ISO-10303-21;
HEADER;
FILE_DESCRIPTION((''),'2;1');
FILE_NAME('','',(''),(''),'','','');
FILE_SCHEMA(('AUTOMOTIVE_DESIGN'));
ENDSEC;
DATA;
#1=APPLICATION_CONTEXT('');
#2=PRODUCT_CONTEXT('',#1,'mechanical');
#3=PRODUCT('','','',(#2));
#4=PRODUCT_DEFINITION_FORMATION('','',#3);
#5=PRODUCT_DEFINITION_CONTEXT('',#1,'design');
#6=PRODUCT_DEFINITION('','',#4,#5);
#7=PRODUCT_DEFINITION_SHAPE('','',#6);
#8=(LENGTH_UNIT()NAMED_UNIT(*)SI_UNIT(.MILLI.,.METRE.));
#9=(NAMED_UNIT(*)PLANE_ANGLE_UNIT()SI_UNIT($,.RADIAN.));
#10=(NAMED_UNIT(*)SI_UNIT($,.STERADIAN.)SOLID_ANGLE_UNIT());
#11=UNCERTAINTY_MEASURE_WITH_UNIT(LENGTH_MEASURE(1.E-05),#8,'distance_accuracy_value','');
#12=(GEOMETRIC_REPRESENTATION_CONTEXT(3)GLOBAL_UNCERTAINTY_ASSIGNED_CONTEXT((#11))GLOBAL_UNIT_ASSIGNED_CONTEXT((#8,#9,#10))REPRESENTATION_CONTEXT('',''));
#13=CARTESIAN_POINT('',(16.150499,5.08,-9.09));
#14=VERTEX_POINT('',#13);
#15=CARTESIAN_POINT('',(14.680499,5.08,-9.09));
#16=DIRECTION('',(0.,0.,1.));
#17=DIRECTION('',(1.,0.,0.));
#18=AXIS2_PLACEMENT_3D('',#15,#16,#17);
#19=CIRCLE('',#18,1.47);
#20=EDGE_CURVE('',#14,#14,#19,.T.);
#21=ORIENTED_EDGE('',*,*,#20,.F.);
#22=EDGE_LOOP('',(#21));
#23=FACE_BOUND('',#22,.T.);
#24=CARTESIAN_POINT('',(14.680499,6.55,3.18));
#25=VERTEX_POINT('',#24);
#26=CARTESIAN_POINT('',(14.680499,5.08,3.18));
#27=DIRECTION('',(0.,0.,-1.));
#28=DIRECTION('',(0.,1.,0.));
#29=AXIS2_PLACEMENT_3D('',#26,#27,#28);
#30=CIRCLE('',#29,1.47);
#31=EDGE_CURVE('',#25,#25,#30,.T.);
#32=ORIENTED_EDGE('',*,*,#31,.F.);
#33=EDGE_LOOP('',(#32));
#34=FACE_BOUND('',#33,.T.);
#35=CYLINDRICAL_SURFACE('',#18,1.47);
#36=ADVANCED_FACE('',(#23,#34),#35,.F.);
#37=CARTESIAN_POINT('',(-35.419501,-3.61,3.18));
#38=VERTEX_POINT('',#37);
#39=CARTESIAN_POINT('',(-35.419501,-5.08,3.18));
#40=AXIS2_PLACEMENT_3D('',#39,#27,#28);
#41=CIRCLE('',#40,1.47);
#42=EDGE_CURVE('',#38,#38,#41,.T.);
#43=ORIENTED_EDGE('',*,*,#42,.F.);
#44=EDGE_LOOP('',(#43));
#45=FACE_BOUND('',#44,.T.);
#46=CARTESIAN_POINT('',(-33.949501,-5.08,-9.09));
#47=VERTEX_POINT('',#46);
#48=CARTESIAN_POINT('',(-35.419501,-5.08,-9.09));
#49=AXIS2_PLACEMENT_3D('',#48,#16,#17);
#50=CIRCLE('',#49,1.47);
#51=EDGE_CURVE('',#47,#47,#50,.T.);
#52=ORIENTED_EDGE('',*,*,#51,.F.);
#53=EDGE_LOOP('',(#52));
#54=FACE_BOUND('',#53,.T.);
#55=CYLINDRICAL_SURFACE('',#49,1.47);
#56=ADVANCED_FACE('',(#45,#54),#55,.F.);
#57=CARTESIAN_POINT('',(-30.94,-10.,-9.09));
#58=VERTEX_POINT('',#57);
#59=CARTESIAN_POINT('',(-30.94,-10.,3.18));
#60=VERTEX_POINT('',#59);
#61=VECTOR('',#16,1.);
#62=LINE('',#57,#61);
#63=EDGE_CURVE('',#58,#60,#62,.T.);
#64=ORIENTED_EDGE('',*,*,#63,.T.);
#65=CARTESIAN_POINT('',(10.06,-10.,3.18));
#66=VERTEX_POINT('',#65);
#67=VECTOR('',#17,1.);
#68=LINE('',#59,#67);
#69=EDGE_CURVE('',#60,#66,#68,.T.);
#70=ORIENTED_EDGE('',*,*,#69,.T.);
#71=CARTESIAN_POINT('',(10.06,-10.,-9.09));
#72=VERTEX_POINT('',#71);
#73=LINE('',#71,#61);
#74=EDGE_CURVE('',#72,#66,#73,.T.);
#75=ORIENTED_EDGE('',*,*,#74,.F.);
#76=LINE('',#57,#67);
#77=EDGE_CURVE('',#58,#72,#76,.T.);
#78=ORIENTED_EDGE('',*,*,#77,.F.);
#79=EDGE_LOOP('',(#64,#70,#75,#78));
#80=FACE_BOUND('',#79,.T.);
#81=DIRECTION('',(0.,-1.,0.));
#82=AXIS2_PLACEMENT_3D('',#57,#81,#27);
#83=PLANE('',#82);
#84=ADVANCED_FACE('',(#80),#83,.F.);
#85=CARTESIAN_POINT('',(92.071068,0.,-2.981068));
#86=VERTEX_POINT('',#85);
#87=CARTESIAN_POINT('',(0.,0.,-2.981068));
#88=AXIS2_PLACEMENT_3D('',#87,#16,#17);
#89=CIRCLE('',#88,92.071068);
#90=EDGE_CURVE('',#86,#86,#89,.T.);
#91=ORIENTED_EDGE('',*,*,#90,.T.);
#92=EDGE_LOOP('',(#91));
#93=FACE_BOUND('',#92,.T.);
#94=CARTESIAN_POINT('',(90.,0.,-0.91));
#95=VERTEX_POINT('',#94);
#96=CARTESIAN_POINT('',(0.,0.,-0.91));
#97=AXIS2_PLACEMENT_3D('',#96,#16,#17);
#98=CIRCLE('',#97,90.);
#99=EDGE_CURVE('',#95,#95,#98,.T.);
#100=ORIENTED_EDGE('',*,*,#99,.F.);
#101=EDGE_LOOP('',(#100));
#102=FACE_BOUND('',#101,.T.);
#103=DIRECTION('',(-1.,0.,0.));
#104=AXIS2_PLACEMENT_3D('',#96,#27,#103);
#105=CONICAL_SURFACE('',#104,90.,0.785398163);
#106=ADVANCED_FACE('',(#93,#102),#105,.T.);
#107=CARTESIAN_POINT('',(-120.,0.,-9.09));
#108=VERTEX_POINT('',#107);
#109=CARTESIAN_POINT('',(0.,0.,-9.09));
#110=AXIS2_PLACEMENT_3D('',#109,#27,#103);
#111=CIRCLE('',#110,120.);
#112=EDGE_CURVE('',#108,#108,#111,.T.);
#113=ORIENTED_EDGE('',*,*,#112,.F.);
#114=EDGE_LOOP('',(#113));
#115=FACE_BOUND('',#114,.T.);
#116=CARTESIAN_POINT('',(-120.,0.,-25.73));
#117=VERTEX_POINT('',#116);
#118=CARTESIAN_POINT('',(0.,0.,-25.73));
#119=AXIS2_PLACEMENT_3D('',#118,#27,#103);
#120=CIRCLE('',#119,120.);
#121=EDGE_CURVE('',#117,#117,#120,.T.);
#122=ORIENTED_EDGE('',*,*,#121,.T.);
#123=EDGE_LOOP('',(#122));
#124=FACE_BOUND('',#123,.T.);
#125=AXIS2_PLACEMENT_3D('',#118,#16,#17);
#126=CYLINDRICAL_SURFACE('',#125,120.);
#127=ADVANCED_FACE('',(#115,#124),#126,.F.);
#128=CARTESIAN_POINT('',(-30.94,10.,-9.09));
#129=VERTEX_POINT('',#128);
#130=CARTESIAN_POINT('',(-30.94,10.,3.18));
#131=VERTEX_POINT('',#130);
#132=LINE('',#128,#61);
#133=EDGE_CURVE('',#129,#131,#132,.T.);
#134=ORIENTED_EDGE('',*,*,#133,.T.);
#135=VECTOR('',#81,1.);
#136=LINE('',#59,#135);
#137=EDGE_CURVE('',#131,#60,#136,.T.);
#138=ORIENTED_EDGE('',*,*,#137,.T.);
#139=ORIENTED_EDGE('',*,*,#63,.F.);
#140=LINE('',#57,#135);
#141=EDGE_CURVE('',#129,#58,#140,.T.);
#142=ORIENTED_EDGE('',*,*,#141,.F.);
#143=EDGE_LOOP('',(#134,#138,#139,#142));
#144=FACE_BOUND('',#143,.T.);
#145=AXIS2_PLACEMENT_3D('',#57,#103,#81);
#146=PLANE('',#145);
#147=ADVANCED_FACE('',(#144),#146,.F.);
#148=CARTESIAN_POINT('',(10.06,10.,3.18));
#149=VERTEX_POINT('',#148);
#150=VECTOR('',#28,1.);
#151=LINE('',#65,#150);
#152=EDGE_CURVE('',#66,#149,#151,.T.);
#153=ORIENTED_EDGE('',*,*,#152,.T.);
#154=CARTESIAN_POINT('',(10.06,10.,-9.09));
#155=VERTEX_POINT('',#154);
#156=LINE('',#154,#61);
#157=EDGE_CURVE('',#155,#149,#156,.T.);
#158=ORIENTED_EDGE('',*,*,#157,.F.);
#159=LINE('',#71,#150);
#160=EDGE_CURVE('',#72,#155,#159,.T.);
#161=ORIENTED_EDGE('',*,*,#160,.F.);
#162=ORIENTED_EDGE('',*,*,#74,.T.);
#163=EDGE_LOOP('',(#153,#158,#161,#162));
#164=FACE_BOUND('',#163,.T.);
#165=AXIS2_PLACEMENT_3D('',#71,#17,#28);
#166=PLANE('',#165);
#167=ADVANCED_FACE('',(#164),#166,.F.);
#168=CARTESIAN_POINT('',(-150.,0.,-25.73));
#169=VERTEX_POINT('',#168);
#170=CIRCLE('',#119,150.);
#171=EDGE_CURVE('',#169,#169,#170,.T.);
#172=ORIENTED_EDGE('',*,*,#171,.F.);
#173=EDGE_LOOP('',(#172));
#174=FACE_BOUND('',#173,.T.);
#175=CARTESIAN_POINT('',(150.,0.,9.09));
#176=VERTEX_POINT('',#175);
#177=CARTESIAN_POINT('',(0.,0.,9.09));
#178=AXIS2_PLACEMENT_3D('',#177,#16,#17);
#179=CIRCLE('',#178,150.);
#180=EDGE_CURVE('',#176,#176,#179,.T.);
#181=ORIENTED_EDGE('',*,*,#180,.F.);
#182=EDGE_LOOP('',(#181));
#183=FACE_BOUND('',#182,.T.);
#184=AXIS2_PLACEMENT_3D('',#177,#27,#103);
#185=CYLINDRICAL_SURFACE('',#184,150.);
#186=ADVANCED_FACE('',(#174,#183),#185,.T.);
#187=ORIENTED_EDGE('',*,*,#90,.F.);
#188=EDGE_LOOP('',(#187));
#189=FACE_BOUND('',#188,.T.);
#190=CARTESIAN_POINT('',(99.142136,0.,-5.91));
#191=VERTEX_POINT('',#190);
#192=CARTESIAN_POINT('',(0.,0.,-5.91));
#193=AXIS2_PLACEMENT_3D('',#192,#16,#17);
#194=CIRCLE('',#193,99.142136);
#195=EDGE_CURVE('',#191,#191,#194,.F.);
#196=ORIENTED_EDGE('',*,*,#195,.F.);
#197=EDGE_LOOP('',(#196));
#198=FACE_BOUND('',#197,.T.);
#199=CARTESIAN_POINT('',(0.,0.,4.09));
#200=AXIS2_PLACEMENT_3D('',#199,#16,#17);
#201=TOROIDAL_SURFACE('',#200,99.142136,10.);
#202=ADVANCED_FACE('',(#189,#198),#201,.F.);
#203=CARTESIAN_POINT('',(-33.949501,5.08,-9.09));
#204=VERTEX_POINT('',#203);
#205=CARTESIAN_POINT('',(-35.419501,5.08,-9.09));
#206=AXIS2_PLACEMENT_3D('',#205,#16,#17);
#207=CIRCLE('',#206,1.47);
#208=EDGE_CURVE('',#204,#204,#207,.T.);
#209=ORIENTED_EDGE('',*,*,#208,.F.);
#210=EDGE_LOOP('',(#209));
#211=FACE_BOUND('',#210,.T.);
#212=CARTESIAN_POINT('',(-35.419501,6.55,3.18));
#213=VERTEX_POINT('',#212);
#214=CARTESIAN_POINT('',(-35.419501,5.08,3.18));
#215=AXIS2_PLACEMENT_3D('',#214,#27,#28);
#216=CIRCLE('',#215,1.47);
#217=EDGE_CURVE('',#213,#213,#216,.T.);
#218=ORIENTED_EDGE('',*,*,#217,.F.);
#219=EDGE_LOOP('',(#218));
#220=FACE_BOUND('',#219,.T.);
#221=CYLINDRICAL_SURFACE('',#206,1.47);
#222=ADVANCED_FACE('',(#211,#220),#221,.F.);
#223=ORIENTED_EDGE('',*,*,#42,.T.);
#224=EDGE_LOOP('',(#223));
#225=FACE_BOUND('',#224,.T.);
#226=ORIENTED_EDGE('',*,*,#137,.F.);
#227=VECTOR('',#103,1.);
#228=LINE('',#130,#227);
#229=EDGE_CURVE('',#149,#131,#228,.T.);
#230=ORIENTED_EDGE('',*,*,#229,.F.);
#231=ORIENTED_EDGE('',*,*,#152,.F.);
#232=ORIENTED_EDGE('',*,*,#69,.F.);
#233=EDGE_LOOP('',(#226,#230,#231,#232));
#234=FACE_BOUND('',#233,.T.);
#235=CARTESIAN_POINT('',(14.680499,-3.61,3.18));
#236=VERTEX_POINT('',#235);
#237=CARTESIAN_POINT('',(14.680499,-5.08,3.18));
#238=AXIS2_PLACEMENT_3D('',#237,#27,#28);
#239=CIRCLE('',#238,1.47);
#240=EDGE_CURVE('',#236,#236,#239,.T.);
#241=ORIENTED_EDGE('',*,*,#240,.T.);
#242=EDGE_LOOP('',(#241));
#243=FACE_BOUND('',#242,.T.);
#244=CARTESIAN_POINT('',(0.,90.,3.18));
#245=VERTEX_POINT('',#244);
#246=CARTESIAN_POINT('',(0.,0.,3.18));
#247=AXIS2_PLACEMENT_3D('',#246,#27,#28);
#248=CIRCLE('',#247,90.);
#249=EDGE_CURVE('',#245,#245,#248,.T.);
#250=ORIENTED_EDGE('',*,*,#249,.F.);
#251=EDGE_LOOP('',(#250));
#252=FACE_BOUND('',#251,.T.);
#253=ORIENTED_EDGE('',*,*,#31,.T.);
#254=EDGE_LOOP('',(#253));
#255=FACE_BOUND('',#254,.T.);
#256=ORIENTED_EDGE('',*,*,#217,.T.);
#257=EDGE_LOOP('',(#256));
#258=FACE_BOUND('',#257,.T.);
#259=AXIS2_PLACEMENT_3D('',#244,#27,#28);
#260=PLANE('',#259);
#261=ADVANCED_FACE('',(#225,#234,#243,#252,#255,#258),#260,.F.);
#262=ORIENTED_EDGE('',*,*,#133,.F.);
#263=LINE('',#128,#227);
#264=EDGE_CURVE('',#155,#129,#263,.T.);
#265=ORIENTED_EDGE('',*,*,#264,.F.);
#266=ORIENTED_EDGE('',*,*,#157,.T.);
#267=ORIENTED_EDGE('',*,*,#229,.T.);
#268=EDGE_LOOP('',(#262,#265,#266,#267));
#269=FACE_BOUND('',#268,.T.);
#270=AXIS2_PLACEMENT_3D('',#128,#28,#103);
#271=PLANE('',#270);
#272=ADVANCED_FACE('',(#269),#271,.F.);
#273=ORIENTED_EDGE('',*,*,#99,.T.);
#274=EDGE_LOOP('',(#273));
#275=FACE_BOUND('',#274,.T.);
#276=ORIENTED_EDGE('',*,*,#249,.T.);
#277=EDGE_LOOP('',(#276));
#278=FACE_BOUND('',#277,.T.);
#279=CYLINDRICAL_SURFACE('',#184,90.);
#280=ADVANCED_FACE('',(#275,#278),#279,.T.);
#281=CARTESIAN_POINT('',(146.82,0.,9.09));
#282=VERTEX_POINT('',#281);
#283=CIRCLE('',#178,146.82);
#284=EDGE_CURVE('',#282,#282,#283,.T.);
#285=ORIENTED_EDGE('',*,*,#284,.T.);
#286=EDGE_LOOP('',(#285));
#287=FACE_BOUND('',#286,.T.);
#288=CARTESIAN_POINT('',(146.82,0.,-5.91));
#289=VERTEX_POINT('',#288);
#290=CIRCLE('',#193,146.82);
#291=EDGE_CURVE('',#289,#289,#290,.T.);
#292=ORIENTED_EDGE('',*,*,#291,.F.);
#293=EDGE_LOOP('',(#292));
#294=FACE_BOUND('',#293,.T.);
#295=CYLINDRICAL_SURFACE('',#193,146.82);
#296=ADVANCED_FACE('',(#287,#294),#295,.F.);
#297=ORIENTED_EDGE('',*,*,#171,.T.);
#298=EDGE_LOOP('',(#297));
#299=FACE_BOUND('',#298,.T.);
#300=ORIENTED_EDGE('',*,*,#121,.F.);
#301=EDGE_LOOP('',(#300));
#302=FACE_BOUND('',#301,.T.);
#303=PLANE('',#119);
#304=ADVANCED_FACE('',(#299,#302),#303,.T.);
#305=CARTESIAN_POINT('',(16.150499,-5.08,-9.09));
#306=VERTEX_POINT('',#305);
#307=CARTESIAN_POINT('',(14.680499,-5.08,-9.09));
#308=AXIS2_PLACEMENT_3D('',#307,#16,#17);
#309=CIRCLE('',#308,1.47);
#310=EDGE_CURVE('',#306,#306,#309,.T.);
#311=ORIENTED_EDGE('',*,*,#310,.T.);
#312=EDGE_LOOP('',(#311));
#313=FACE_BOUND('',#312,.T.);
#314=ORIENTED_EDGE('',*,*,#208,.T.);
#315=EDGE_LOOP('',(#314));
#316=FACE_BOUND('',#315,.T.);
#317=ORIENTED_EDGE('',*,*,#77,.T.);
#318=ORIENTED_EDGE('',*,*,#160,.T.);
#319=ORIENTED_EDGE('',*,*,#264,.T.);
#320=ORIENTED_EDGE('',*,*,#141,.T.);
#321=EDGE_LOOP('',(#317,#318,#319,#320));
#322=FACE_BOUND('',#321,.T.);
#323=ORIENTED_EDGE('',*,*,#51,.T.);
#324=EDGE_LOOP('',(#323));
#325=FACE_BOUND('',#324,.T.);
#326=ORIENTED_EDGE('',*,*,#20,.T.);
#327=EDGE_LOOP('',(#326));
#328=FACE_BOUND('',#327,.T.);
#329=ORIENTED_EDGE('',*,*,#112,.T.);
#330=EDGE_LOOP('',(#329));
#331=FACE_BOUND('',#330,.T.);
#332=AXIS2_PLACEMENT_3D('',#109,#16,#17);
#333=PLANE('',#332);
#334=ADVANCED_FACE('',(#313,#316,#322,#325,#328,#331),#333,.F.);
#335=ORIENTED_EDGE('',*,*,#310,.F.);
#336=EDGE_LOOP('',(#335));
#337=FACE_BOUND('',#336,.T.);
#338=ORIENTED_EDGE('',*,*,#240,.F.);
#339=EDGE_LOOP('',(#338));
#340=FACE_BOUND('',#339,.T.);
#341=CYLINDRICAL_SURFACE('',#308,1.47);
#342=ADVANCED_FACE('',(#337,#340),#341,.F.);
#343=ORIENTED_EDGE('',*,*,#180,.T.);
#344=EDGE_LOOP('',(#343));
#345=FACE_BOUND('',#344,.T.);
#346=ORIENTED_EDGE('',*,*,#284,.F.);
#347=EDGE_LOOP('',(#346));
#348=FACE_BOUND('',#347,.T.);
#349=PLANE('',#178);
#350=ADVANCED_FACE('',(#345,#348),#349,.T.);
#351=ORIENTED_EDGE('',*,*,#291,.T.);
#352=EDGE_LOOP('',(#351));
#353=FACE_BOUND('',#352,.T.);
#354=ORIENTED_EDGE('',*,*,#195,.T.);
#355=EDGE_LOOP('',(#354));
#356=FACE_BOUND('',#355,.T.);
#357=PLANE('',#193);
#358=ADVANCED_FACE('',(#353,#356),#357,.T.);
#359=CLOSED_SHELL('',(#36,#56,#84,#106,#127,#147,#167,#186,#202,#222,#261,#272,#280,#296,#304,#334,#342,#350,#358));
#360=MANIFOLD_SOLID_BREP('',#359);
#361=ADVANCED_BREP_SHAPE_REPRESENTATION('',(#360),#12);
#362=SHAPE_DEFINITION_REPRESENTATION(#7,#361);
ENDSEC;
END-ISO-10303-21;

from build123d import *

# Parameters (mm, degrees)
SKETCH1_R               = 150
BOSS_EXTRUDE1_DEPTH     = 9.09
SKETCH2_R               = 146.82
CUT_EXTRUDE1_DEPTH      = 15
SKETCH5_R               = 90
BOSS_EXTRUDE2_DEPTH     = 15
CHAMFER1_SIZE           = 5
FILLET6_R               = 10
SKETCH6_R               = 1.55
CUT_EXTRUDE2_DEPTH      = 5
SKETCH7_R               = 16
CUT_EXTRUDE3_DEPTH      = 4.8
BOSS_EXTRUDE3_START     = 4.8
BOSS_EXTRUDE3_DEPTH     = 4.8
CIRPATTERN1_COUNT       = 30
SKETCH17_W              = 2.73
SKETCH17_H              = 90
SKETCH23_W              = 41
SKETCH23_H              = 20
CUT_EXTRUDE6_DEPTH      = 213.486594636
CUT_EXTRUDE7_DEPTH      = 213.486594636
CUT_EXTRUDE7_DEPTH_BACK = 213.486594636
SKETCH24_R              = 1.47
SKETCH26_R              = 150
SKETCH26_R_2            = 120
BOSS_EXTRUDE4_DEPTH     = 16.64


with BuildPart() as part:
    # Sketch1 → Boss-Extrude1 (new, symmetric)
    with BuildSketch(Plane.XY):
        Circle(SKETCH1_R)
    extrude(amount=BOSS_EXTRUDE1_DEPTH, both=True)

    # Sketch2 → Cut-Extrude1 (cut)
    with BuildSketch(Plane.XY.offset(9.09)):
        Circle(SKETCH2_R)
    extrude(amount=-CUT_EXTRUDE1_DEPTH, mode=Mode.SUBTRACT)

    # Sketch5 → Boss-Extrude2 (add)
    with BuildSketch(Plane.XY.offset(-5.91)):
        Circle(SKETCH5_R)
    extrude(amount=BOSS_EXTRUDE2_DEPTH)

    # Chamfer1
    chamfer1_edges = [part.edges().sort_by_distance(p)[0] for p in [
        (-90, 0, -5.91),
    ]]
    chamfer(chamfer1_edges, length=CHAMFER1_SIZE)

    # Fillet6
    fillet6_edges = [part.edges().sort_by_distance(p)[0] for p in [
        (-95, 0, -5.91),
    ]]
    fillet(fillet6_edges, radius=FILLET6_R)

    # Sketch6 → Cut-Extrude2 (cut)
    with BuildSketch(Plane.XY.offset(9.09)):
        with Locations((64.65, 0)):
            Circle(SKETCH6_R)
        with Locations((-68.33, 0)):
            Circle(SKETCH6_R)
        with Locations((-54.47, 24.14)):
            Circle(SKETCH6_R)
        with Locations((-54.47, -24.14)):
            Circle(SKETCH6_R)
        with Locations((50.79, -24.14)):
            Circle(SKETCH6_R)
        with Locations((50.79, 24.14)):
            Circle(SKETCH6_R)
    extrude(amount=-CUT_EXTRUDE2_DEPTH, mode=Mode.SUBTRACT)

    # Sketch7 → Cut-Extrude3 (cut)
    with BuildSketch(Plane.XY.offset(9.09)):
        Circle(SKETCH7_R)
    extrude(amount=-CUT_EXTRUDE3_DEPTH, mode=Mode.SUBTRACT)

    # Sketch8 → Boss-Extrude3 (add)
    with BuildSketch(Plane.XY.offset(4.29).offset(BOSS_EXTRUDE3_START)):
        with BuildLine():
            ThreePointArc((1.300521762, 15.947057507), (0.787845605, 15.007972717), (0.45011023, 13.992762443))
            ThreePointArc((0.45011023, 13.992762443), (0, 14), (-0.45011023, 13.992762443))
            ThreePointArc((-0.45011023, 13.992762443), (-0.787845605, 15.007972717), (-1.300521762, 15.947057507))
            ThreePointArc((-1.300521762, 15.947057507), (0, 16), (1.300521762, 15.947057507))
        make_face()
    boss_extrude3 = extrude(amount=-BOSS_EXTRUDE3_DEPTH)

    # CirPattern1: Boss-Extrude3 ×30 about axis
    cirpattern1_axis = Axis((0, 0, 0), (0, 0, 1))
    for i in range(1, CIRPATTERN1_COUNT):
        add(boss_extrude3.rotate(cirpattern1_axis, i * 360 / CIRPATTERN1_COUNT))

    # Sketch17 → Cut-Revolve4 (revolve, cut)
    with BuildSketch(Plane(origin=(0, 0, 0), x_dir=(0, 0, -1), z_dir=(1, 0, 0))):
        with Locations((-4.545, 45)):
            Rectangle(SKETCH17_W, SKETCH17_H)
    revolve(axis=Axis((0, 0, -0.91), (0, 0, 1)), mode=Mode.SUBTRACT)


with BuildPart() as cut_revolve4_piece_1:
    # of the separate pieces the step leaves, piece 1, a body of its own (cut_revolve4_pieces)
    add(part.part.solids().sort_by_distance((99.142135624, 0, -5.91))[0])

    # Sketch23 → Cut-Extrude6 (cut, through all)
    with BuildSketch(Plane.XY.offset(3.18)):
        with Locations((-10.44, 0)):
            Rectangle(SKETCH23_W, SKETCH23_H)
    extrude(amount=-CUT_EXTRUDE6_DEPTH, mode=Mode.SUBTRACT)

    # Sketch24 → Cut-Extrude7 (cut, two sides: drawn at the far end of the back side and taken through both)
    with BuildSketch(Plane.XY.offset(3.18).offset(-CUT_EXTRUDE7_DEPTH_BACK)):
        with Locations((-35.419501393, -5.08)):
            Circle(SKETCH24_R)
        with Locations((14.680498607, -5.08)):
            Circle(SKETCH24_R)
        with Locations((-35.419501393, 5.08)):
            Circle(SKETCH24_R)
        with Locations((14.680498607, 5.08)):
            Circle(SKETCH24_R)
    extrude(amount=CUT_EXTRUDE7_DEPTH + CUT_EXTRUDE7_DEPTH_BACK, mode=Mode.SUBTRACT)

    # Sketch26 → Boss-Extrude4 (add)
    with BuildSketch(Plane(origin=(0, 0, -9.09), x_dir=(-1, 0, 0), z_dir=(0, 0, -1))):
        Circle(SKETCH26_R)
        Circle(SKETCH26_R_2, mode=Mode.SUBTRACT)
    extrude(amount=BOSS_EXTRUDE4_DEPTH)


with BuildPart() as cut_revolve4_piece_2:
    # of the separate pieces the step leaves, piece 2, a body of its own (cut_revolve4_pieces)
    add(part.part.solids().sort_by_distance((90, 0, 5.91))[0])


solid = cut_revolve4_piece_1.part
